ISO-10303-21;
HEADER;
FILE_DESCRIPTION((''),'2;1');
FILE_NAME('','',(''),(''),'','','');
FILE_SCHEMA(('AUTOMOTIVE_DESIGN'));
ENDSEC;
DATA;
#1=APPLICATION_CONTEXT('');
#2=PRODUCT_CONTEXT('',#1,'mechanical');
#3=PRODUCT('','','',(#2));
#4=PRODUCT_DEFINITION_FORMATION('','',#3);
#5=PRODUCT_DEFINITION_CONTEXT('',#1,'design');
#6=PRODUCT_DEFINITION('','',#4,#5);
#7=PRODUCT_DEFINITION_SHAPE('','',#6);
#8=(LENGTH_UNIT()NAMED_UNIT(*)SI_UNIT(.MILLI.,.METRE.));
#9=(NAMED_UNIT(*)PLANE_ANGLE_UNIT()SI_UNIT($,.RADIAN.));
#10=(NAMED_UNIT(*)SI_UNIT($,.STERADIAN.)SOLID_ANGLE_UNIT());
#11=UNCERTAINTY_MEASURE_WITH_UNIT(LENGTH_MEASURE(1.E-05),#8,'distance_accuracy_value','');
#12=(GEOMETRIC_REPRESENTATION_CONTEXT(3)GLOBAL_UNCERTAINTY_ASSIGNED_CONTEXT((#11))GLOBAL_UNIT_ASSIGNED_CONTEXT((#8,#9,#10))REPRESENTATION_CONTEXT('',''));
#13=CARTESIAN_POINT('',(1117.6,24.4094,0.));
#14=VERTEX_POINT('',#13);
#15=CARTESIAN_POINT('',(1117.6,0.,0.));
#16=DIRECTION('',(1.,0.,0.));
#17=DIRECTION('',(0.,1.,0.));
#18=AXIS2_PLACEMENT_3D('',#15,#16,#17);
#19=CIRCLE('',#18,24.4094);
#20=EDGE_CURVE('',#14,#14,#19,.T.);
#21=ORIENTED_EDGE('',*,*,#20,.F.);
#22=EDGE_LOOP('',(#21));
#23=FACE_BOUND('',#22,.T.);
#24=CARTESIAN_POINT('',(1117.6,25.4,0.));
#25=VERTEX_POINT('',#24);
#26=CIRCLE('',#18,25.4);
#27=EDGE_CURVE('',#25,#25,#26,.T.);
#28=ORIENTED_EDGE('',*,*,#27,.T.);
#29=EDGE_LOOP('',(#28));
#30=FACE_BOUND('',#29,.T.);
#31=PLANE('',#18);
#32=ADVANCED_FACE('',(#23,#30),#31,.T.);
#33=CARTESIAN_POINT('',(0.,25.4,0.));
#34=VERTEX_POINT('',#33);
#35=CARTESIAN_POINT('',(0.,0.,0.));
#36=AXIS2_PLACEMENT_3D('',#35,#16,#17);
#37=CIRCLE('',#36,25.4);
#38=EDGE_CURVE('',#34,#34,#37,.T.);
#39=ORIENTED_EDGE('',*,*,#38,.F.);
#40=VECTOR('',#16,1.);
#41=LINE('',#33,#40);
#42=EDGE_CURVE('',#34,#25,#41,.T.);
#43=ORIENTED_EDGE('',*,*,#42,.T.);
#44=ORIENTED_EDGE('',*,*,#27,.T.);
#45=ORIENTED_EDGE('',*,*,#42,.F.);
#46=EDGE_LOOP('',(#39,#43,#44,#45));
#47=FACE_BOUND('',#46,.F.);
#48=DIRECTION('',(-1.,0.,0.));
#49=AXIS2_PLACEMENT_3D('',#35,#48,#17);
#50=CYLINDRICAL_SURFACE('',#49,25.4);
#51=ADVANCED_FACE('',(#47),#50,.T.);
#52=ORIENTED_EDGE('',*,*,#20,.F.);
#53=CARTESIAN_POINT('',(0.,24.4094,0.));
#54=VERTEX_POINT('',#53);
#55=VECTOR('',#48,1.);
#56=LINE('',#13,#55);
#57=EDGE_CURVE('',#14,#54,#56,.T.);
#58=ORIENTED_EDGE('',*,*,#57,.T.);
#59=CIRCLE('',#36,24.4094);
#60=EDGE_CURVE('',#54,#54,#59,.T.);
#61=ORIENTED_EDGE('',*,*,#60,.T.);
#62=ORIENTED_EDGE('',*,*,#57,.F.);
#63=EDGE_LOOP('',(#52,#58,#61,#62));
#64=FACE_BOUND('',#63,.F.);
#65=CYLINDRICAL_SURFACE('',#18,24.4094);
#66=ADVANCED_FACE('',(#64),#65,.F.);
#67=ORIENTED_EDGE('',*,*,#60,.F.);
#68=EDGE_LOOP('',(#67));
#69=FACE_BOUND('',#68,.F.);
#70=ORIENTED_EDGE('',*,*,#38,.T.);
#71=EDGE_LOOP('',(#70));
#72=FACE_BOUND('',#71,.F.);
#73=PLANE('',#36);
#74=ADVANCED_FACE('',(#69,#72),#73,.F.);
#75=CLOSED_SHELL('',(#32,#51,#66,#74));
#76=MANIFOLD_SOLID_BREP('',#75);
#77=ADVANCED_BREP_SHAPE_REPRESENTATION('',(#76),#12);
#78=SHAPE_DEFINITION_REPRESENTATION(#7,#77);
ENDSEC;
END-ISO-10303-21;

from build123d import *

# Parameters (mm, degrees)
F0_R       = 25.4
F1_DEPTH   = 1117.6
F2_R       = 24.4094
F1_FACE1_R = 25.4
F3_DEPTH   = 1120.14


with BuildPart() as f1:
    # F0 (on Right) → F1 (new body)
    with BuildSketch(Plane.YZ):
        Circle(F0_R)
    extrude(amount=F1_DEPTH)

    # F2 (on face) + F1_face1 (on face) → F3 (cut)
    with BuildSketch(Plane.YZ.offset(1117.6)):
        Circle(F2_R)
    with BuildSketch(Plane(origin=(0, 0, 0), x_dir=(0, 1, 0), z_dir=(-1, 0, 0))):
        Circle(F1_FACE1_R)
    extrude(amount=-F3_DEPTH, dir=(1, 0, 0), mode=Mode.SUBTRACT)


solid = f1.part
